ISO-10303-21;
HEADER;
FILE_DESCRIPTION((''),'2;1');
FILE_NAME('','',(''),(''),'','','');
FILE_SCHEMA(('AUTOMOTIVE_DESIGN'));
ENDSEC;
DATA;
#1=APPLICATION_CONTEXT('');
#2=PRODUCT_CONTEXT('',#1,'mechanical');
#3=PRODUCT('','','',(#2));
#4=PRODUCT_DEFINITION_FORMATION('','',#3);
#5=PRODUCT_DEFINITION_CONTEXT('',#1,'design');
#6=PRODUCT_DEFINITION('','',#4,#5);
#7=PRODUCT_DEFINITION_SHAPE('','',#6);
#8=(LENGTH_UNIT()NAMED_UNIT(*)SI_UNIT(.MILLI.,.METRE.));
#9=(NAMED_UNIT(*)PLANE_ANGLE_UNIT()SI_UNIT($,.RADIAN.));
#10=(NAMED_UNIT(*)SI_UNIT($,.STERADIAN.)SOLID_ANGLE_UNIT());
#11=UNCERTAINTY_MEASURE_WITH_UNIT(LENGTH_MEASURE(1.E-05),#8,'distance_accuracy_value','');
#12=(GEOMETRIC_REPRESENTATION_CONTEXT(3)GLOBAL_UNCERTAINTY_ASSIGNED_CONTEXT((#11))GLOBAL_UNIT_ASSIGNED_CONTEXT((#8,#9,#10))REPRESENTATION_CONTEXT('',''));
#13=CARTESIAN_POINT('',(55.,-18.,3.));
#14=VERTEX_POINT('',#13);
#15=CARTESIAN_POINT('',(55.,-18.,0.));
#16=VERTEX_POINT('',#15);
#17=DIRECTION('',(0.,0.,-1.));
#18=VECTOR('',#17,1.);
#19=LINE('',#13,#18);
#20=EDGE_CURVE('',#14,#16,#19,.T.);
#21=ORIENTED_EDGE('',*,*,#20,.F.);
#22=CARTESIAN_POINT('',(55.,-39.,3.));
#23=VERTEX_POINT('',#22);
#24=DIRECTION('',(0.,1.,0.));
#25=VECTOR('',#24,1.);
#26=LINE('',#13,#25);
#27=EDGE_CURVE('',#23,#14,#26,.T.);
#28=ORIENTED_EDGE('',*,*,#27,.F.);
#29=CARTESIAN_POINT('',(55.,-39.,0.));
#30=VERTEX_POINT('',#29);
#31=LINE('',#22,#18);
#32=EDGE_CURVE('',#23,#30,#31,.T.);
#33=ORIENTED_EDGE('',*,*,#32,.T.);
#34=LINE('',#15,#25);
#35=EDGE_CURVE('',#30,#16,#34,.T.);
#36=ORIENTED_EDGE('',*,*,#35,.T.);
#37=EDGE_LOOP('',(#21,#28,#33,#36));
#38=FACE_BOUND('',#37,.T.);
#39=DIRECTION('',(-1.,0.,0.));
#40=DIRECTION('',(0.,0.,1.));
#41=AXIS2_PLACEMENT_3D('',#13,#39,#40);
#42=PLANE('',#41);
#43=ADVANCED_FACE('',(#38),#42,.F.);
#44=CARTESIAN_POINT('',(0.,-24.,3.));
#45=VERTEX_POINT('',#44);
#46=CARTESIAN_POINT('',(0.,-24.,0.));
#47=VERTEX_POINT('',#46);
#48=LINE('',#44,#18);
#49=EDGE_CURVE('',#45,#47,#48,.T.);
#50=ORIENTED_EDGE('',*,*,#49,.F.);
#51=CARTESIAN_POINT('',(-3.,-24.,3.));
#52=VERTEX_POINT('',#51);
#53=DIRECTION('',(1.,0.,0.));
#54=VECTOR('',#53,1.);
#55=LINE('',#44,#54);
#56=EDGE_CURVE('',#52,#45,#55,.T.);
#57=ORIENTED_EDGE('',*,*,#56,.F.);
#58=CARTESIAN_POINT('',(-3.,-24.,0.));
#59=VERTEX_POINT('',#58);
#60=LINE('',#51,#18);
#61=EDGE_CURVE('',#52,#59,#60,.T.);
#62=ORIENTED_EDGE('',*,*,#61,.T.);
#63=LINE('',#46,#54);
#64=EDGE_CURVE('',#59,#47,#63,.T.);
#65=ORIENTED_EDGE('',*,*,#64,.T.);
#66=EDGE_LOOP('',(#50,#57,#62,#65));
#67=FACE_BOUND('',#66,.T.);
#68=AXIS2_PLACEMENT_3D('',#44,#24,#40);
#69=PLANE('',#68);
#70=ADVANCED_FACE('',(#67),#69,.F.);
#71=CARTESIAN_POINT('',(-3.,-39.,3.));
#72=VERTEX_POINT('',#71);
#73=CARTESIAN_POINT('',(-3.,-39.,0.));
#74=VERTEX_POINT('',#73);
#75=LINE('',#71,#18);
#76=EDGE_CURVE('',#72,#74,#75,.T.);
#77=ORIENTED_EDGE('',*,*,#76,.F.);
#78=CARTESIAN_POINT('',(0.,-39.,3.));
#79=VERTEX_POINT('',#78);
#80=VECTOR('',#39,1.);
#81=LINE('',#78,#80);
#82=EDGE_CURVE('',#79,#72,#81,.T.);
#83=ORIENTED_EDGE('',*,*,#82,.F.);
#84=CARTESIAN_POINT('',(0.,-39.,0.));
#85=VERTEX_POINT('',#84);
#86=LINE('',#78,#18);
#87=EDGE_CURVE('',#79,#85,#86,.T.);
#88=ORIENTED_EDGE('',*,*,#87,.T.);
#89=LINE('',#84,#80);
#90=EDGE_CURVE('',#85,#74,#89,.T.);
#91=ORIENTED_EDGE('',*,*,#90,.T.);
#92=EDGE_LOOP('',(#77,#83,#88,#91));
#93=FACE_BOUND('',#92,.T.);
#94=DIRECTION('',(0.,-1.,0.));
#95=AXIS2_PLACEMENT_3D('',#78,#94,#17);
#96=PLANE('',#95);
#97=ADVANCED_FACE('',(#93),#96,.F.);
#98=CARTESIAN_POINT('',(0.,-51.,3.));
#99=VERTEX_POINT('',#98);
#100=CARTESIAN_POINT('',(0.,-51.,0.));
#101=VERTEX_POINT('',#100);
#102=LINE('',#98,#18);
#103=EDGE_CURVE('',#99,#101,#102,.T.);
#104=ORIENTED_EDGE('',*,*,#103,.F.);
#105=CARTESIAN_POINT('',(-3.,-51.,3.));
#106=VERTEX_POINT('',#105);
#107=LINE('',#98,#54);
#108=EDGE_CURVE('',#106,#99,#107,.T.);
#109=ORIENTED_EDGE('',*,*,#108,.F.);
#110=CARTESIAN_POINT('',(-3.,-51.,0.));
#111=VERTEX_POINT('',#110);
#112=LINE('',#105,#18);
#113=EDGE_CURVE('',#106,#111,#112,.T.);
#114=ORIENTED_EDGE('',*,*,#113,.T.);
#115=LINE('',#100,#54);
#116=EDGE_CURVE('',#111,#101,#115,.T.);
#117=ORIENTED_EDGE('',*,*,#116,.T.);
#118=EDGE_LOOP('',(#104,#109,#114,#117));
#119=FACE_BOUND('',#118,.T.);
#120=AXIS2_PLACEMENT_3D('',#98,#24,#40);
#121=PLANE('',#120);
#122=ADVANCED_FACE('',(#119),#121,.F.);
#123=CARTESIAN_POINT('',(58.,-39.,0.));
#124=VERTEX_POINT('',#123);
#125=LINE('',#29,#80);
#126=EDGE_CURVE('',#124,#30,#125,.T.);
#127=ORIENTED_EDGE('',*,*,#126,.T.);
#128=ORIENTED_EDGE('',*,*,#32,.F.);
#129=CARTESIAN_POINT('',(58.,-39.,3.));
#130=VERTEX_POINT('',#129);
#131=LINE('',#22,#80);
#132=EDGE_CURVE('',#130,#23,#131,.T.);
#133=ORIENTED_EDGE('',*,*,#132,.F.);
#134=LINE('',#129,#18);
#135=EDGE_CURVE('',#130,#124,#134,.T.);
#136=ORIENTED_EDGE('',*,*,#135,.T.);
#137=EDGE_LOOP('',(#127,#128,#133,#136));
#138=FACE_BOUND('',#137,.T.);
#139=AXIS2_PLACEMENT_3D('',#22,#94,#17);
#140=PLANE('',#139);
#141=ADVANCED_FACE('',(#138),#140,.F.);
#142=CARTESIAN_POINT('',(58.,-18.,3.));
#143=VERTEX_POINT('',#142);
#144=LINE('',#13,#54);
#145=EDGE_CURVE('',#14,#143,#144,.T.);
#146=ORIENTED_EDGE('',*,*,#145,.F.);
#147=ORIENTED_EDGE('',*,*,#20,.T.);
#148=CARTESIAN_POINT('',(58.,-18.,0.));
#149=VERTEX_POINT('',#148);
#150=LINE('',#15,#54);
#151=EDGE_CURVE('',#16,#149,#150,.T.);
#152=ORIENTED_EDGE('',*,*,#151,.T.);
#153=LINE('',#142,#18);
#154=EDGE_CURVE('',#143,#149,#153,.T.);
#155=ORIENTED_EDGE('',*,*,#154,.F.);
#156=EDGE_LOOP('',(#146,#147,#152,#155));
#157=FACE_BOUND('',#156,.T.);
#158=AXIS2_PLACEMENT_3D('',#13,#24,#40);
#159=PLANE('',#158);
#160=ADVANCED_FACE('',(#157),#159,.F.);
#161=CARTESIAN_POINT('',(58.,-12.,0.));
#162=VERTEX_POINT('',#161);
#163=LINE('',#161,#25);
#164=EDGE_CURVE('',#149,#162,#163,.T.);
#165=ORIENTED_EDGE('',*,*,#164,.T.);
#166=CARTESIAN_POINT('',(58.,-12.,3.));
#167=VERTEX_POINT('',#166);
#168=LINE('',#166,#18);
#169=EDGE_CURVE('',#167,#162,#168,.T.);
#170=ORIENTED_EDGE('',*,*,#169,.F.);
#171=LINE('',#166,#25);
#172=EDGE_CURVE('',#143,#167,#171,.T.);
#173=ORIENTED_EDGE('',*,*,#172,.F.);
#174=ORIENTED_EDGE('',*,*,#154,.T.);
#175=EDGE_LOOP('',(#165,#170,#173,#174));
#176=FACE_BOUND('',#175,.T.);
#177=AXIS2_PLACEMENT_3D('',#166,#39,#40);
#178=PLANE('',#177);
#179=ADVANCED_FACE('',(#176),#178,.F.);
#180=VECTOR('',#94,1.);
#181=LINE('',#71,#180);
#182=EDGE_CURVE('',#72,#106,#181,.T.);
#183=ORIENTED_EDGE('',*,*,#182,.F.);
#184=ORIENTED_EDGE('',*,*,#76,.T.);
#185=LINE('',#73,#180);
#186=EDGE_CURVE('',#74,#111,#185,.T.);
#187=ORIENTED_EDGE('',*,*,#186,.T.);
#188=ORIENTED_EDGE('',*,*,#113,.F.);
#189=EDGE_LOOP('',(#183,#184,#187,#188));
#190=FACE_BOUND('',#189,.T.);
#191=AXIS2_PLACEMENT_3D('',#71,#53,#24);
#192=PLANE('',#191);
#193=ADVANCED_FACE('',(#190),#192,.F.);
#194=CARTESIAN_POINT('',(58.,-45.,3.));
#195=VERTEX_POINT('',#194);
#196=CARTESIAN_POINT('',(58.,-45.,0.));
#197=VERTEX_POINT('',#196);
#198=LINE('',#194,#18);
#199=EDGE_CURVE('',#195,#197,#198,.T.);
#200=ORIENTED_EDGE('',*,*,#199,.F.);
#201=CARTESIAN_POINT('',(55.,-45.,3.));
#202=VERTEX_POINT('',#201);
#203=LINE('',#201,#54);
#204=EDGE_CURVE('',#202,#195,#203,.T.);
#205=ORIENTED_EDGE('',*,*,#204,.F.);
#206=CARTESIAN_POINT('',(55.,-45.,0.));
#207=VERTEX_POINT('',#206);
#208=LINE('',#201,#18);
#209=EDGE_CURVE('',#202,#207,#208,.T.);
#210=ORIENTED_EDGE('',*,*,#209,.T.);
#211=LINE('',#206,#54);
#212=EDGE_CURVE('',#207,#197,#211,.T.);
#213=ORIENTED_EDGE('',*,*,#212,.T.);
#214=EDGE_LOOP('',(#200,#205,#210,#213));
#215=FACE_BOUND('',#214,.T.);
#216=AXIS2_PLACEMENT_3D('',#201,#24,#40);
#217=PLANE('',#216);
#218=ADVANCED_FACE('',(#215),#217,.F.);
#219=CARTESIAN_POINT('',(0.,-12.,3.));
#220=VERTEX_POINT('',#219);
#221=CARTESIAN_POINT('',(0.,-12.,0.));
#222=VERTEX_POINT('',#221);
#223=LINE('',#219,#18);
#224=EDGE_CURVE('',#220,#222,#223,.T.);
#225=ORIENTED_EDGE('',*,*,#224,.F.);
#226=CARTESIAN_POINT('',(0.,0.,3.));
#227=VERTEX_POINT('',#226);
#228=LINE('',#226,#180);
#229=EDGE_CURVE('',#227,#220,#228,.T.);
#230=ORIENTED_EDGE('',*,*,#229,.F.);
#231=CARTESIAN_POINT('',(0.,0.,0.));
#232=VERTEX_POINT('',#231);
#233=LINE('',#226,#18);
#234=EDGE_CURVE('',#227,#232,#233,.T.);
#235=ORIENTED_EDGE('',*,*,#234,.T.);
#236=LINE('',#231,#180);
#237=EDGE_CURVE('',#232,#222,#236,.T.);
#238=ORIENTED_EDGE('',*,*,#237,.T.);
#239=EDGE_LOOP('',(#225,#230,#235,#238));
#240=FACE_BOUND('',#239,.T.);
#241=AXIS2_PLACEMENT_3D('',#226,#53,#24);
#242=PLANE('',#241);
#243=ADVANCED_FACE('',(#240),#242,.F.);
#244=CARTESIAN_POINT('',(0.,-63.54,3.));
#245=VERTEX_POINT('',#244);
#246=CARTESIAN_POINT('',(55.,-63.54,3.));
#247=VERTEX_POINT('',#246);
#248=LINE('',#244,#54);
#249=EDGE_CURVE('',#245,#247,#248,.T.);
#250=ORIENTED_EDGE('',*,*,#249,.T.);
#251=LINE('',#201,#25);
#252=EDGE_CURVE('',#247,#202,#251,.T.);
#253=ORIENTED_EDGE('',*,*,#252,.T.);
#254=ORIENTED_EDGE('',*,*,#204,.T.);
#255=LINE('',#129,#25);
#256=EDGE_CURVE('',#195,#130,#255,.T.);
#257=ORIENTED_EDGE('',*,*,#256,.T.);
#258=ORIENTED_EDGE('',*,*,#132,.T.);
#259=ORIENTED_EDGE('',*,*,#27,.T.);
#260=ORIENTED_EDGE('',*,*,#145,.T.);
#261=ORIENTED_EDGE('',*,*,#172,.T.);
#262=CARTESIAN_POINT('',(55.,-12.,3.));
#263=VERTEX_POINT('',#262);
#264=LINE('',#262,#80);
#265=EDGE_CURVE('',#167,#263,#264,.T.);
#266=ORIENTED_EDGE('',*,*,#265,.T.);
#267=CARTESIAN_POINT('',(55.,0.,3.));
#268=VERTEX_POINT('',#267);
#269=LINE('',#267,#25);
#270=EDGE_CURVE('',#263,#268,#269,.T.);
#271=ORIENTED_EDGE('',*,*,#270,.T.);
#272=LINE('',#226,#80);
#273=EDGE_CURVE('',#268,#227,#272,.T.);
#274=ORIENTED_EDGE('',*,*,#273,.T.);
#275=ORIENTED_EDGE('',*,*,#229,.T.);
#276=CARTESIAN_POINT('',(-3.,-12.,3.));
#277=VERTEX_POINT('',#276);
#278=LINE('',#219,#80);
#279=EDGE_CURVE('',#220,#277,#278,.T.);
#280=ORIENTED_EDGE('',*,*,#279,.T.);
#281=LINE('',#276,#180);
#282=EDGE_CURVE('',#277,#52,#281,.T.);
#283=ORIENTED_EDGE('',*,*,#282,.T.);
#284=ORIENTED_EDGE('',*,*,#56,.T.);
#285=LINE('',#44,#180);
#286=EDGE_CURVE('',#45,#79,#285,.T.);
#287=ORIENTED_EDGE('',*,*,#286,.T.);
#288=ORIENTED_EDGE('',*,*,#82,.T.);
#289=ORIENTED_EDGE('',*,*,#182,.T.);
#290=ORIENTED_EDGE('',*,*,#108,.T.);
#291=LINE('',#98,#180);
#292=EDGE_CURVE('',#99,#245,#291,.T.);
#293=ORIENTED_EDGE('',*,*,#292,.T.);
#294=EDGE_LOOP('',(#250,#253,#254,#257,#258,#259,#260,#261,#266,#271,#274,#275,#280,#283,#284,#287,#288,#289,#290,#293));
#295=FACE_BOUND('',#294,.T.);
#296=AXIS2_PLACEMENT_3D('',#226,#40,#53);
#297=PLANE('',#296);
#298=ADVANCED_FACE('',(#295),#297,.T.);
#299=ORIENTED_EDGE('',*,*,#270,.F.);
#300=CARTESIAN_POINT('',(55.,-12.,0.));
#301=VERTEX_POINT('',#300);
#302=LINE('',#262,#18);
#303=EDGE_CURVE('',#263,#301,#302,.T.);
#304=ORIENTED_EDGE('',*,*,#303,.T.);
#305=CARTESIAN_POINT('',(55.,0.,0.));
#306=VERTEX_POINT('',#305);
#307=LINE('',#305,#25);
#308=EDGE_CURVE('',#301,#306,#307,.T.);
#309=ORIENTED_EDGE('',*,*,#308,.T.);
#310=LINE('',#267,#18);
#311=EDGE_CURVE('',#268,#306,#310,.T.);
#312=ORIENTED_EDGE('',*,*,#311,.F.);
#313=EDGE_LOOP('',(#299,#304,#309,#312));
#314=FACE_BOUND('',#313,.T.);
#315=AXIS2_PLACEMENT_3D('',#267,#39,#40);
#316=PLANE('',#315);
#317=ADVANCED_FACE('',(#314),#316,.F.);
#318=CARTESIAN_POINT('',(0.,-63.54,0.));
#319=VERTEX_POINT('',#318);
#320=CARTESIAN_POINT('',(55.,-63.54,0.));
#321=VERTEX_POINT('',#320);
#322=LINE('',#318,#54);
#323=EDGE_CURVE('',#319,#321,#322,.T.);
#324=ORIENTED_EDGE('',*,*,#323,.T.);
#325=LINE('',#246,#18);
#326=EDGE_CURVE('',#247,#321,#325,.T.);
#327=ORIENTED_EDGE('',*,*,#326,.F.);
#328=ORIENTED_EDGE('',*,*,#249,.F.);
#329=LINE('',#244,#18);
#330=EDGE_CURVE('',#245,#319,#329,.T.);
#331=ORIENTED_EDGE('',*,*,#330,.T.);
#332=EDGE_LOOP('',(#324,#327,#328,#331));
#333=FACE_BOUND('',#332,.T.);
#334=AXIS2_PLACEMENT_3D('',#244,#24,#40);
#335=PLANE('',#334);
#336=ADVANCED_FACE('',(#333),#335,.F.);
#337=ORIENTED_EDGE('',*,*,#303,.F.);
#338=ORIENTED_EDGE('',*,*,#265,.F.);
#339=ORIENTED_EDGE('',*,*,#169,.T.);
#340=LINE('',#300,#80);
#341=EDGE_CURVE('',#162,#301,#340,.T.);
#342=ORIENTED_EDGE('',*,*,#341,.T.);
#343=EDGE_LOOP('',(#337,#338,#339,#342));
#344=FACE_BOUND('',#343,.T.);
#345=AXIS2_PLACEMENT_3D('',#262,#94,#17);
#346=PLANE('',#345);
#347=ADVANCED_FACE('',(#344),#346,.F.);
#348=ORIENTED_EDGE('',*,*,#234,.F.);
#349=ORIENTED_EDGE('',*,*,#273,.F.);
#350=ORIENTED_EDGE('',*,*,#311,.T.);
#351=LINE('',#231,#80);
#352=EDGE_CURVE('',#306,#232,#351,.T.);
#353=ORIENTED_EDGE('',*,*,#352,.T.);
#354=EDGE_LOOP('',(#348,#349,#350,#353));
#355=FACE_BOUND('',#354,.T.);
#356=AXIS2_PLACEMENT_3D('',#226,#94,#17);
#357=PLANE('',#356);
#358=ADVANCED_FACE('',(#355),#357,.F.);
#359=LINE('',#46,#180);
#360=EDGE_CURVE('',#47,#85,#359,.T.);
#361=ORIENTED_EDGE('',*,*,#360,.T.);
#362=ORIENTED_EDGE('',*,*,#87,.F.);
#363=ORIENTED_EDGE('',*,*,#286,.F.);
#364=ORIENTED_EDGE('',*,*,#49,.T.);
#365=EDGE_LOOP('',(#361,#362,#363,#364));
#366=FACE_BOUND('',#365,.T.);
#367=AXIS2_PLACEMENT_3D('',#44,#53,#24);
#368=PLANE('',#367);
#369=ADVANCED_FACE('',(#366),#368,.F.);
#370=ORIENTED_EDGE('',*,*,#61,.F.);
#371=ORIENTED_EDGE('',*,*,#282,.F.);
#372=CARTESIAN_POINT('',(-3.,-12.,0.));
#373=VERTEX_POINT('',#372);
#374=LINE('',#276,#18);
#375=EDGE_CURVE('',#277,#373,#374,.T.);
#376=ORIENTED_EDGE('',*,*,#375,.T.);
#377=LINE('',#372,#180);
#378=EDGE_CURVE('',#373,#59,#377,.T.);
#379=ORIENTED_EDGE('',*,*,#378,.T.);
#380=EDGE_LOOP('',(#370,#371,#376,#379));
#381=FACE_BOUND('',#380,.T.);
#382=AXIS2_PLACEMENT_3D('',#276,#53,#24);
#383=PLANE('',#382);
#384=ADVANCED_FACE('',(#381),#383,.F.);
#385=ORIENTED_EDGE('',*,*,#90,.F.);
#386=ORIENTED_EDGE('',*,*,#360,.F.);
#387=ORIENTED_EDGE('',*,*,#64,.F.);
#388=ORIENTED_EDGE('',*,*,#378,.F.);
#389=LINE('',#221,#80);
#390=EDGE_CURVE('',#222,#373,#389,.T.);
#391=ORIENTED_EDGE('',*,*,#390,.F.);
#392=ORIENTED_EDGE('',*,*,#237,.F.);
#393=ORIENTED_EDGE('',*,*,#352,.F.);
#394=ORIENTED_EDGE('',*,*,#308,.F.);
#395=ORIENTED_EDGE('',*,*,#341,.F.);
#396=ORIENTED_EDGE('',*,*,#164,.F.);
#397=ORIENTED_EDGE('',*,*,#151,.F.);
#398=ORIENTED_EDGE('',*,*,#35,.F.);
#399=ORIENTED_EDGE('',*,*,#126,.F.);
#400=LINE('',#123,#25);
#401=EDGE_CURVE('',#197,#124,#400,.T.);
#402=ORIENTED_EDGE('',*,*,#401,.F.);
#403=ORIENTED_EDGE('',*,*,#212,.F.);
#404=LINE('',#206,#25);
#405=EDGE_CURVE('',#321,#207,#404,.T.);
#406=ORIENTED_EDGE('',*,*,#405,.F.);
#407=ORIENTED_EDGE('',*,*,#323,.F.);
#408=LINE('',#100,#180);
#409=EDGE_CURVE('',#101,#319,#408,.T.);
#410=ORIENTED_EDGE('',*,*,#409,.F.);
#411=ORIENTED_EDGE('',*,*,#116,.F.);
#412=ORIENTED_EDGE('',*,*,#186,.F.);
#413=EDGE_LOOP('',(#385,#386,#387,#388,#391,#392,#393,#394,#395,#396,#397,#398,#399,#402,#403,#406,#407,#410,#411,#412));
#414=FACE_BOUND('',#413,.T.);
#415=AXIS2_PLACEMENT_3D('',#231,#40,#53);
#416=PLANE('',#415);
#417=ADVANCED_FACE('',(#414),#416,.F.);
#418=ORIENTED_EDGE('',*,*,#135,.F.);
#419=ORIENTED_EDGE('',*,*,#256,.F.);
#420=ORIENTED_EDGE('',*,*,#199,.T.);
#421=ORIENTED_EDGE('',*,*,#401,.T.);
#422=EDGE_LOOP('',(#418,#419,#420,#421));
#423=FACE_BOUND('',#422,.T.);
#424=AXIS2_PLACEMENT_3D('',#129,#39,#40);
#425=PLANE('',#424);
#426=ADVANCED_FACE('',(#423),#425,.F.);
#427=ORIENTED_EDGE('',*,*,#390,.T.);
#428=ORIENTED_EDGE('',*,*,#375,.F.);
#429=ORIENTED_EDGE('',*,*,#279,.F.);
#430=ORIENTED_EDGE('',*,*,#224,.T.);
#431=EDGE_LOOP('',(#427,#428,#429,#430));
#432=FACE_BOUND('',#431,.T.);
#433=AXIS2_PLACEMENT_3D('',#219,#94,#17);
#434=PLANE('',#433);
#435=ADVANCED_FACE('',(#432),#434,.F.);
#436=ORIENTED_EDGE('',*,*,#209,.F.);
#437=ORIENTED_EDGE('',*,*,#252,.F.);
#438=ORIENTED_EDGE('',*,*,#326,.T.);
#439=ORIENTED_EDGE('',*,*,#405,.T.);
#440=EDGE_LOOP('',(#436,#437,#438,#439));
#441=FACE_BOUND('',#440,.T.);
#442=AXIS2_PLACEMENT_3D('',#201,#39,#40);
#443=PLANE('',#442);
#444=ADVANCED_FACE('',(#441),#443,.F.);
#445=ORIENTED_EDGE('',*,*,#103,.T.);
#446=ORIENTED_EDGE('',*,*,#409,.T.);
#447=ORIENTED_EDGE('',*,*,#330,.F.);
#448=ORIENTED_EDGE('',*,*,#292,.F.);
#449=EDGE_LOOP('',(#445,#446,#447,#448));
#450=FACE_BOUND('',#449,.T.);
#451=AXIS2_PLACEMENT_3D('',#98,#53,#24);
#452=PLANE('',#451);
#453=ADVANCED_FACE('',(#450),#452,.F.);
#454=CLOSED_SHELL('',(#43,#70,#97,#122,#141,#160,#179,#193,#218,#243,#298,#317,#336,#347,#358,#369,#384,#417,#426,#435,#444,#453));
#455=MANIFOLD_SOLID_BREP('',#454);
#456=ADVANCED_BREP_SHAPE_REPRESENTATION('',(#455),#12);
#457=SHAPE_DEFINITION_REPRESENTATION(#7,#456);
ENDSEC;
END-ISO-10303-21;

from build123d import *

# Parameters (mm, degrees)
P_IDAT_VYSUNUT_M1_DEPTH = 3


with BuildPart() as part:
    # Skica1 → Přidat vysunutím1 (new body)
    with BuildSketch(Plane.XY):
        Polygon((0, 0), (55, 0), (55, -12), (58, -12), (58, -18), (55, -18), (55, -39), (58, -39), (58, -45), (55, -45), (55, -63.54), (0, -63.54), (0, -51), (-3, -51), (-3, -39), (0, -39), (0, -24), (-3, -24), (-3, -12), (0, -12), align=None)
    extrude(amount=P_IDAT_VYSUNUT_M1_DEPTH)


solid = part.part
